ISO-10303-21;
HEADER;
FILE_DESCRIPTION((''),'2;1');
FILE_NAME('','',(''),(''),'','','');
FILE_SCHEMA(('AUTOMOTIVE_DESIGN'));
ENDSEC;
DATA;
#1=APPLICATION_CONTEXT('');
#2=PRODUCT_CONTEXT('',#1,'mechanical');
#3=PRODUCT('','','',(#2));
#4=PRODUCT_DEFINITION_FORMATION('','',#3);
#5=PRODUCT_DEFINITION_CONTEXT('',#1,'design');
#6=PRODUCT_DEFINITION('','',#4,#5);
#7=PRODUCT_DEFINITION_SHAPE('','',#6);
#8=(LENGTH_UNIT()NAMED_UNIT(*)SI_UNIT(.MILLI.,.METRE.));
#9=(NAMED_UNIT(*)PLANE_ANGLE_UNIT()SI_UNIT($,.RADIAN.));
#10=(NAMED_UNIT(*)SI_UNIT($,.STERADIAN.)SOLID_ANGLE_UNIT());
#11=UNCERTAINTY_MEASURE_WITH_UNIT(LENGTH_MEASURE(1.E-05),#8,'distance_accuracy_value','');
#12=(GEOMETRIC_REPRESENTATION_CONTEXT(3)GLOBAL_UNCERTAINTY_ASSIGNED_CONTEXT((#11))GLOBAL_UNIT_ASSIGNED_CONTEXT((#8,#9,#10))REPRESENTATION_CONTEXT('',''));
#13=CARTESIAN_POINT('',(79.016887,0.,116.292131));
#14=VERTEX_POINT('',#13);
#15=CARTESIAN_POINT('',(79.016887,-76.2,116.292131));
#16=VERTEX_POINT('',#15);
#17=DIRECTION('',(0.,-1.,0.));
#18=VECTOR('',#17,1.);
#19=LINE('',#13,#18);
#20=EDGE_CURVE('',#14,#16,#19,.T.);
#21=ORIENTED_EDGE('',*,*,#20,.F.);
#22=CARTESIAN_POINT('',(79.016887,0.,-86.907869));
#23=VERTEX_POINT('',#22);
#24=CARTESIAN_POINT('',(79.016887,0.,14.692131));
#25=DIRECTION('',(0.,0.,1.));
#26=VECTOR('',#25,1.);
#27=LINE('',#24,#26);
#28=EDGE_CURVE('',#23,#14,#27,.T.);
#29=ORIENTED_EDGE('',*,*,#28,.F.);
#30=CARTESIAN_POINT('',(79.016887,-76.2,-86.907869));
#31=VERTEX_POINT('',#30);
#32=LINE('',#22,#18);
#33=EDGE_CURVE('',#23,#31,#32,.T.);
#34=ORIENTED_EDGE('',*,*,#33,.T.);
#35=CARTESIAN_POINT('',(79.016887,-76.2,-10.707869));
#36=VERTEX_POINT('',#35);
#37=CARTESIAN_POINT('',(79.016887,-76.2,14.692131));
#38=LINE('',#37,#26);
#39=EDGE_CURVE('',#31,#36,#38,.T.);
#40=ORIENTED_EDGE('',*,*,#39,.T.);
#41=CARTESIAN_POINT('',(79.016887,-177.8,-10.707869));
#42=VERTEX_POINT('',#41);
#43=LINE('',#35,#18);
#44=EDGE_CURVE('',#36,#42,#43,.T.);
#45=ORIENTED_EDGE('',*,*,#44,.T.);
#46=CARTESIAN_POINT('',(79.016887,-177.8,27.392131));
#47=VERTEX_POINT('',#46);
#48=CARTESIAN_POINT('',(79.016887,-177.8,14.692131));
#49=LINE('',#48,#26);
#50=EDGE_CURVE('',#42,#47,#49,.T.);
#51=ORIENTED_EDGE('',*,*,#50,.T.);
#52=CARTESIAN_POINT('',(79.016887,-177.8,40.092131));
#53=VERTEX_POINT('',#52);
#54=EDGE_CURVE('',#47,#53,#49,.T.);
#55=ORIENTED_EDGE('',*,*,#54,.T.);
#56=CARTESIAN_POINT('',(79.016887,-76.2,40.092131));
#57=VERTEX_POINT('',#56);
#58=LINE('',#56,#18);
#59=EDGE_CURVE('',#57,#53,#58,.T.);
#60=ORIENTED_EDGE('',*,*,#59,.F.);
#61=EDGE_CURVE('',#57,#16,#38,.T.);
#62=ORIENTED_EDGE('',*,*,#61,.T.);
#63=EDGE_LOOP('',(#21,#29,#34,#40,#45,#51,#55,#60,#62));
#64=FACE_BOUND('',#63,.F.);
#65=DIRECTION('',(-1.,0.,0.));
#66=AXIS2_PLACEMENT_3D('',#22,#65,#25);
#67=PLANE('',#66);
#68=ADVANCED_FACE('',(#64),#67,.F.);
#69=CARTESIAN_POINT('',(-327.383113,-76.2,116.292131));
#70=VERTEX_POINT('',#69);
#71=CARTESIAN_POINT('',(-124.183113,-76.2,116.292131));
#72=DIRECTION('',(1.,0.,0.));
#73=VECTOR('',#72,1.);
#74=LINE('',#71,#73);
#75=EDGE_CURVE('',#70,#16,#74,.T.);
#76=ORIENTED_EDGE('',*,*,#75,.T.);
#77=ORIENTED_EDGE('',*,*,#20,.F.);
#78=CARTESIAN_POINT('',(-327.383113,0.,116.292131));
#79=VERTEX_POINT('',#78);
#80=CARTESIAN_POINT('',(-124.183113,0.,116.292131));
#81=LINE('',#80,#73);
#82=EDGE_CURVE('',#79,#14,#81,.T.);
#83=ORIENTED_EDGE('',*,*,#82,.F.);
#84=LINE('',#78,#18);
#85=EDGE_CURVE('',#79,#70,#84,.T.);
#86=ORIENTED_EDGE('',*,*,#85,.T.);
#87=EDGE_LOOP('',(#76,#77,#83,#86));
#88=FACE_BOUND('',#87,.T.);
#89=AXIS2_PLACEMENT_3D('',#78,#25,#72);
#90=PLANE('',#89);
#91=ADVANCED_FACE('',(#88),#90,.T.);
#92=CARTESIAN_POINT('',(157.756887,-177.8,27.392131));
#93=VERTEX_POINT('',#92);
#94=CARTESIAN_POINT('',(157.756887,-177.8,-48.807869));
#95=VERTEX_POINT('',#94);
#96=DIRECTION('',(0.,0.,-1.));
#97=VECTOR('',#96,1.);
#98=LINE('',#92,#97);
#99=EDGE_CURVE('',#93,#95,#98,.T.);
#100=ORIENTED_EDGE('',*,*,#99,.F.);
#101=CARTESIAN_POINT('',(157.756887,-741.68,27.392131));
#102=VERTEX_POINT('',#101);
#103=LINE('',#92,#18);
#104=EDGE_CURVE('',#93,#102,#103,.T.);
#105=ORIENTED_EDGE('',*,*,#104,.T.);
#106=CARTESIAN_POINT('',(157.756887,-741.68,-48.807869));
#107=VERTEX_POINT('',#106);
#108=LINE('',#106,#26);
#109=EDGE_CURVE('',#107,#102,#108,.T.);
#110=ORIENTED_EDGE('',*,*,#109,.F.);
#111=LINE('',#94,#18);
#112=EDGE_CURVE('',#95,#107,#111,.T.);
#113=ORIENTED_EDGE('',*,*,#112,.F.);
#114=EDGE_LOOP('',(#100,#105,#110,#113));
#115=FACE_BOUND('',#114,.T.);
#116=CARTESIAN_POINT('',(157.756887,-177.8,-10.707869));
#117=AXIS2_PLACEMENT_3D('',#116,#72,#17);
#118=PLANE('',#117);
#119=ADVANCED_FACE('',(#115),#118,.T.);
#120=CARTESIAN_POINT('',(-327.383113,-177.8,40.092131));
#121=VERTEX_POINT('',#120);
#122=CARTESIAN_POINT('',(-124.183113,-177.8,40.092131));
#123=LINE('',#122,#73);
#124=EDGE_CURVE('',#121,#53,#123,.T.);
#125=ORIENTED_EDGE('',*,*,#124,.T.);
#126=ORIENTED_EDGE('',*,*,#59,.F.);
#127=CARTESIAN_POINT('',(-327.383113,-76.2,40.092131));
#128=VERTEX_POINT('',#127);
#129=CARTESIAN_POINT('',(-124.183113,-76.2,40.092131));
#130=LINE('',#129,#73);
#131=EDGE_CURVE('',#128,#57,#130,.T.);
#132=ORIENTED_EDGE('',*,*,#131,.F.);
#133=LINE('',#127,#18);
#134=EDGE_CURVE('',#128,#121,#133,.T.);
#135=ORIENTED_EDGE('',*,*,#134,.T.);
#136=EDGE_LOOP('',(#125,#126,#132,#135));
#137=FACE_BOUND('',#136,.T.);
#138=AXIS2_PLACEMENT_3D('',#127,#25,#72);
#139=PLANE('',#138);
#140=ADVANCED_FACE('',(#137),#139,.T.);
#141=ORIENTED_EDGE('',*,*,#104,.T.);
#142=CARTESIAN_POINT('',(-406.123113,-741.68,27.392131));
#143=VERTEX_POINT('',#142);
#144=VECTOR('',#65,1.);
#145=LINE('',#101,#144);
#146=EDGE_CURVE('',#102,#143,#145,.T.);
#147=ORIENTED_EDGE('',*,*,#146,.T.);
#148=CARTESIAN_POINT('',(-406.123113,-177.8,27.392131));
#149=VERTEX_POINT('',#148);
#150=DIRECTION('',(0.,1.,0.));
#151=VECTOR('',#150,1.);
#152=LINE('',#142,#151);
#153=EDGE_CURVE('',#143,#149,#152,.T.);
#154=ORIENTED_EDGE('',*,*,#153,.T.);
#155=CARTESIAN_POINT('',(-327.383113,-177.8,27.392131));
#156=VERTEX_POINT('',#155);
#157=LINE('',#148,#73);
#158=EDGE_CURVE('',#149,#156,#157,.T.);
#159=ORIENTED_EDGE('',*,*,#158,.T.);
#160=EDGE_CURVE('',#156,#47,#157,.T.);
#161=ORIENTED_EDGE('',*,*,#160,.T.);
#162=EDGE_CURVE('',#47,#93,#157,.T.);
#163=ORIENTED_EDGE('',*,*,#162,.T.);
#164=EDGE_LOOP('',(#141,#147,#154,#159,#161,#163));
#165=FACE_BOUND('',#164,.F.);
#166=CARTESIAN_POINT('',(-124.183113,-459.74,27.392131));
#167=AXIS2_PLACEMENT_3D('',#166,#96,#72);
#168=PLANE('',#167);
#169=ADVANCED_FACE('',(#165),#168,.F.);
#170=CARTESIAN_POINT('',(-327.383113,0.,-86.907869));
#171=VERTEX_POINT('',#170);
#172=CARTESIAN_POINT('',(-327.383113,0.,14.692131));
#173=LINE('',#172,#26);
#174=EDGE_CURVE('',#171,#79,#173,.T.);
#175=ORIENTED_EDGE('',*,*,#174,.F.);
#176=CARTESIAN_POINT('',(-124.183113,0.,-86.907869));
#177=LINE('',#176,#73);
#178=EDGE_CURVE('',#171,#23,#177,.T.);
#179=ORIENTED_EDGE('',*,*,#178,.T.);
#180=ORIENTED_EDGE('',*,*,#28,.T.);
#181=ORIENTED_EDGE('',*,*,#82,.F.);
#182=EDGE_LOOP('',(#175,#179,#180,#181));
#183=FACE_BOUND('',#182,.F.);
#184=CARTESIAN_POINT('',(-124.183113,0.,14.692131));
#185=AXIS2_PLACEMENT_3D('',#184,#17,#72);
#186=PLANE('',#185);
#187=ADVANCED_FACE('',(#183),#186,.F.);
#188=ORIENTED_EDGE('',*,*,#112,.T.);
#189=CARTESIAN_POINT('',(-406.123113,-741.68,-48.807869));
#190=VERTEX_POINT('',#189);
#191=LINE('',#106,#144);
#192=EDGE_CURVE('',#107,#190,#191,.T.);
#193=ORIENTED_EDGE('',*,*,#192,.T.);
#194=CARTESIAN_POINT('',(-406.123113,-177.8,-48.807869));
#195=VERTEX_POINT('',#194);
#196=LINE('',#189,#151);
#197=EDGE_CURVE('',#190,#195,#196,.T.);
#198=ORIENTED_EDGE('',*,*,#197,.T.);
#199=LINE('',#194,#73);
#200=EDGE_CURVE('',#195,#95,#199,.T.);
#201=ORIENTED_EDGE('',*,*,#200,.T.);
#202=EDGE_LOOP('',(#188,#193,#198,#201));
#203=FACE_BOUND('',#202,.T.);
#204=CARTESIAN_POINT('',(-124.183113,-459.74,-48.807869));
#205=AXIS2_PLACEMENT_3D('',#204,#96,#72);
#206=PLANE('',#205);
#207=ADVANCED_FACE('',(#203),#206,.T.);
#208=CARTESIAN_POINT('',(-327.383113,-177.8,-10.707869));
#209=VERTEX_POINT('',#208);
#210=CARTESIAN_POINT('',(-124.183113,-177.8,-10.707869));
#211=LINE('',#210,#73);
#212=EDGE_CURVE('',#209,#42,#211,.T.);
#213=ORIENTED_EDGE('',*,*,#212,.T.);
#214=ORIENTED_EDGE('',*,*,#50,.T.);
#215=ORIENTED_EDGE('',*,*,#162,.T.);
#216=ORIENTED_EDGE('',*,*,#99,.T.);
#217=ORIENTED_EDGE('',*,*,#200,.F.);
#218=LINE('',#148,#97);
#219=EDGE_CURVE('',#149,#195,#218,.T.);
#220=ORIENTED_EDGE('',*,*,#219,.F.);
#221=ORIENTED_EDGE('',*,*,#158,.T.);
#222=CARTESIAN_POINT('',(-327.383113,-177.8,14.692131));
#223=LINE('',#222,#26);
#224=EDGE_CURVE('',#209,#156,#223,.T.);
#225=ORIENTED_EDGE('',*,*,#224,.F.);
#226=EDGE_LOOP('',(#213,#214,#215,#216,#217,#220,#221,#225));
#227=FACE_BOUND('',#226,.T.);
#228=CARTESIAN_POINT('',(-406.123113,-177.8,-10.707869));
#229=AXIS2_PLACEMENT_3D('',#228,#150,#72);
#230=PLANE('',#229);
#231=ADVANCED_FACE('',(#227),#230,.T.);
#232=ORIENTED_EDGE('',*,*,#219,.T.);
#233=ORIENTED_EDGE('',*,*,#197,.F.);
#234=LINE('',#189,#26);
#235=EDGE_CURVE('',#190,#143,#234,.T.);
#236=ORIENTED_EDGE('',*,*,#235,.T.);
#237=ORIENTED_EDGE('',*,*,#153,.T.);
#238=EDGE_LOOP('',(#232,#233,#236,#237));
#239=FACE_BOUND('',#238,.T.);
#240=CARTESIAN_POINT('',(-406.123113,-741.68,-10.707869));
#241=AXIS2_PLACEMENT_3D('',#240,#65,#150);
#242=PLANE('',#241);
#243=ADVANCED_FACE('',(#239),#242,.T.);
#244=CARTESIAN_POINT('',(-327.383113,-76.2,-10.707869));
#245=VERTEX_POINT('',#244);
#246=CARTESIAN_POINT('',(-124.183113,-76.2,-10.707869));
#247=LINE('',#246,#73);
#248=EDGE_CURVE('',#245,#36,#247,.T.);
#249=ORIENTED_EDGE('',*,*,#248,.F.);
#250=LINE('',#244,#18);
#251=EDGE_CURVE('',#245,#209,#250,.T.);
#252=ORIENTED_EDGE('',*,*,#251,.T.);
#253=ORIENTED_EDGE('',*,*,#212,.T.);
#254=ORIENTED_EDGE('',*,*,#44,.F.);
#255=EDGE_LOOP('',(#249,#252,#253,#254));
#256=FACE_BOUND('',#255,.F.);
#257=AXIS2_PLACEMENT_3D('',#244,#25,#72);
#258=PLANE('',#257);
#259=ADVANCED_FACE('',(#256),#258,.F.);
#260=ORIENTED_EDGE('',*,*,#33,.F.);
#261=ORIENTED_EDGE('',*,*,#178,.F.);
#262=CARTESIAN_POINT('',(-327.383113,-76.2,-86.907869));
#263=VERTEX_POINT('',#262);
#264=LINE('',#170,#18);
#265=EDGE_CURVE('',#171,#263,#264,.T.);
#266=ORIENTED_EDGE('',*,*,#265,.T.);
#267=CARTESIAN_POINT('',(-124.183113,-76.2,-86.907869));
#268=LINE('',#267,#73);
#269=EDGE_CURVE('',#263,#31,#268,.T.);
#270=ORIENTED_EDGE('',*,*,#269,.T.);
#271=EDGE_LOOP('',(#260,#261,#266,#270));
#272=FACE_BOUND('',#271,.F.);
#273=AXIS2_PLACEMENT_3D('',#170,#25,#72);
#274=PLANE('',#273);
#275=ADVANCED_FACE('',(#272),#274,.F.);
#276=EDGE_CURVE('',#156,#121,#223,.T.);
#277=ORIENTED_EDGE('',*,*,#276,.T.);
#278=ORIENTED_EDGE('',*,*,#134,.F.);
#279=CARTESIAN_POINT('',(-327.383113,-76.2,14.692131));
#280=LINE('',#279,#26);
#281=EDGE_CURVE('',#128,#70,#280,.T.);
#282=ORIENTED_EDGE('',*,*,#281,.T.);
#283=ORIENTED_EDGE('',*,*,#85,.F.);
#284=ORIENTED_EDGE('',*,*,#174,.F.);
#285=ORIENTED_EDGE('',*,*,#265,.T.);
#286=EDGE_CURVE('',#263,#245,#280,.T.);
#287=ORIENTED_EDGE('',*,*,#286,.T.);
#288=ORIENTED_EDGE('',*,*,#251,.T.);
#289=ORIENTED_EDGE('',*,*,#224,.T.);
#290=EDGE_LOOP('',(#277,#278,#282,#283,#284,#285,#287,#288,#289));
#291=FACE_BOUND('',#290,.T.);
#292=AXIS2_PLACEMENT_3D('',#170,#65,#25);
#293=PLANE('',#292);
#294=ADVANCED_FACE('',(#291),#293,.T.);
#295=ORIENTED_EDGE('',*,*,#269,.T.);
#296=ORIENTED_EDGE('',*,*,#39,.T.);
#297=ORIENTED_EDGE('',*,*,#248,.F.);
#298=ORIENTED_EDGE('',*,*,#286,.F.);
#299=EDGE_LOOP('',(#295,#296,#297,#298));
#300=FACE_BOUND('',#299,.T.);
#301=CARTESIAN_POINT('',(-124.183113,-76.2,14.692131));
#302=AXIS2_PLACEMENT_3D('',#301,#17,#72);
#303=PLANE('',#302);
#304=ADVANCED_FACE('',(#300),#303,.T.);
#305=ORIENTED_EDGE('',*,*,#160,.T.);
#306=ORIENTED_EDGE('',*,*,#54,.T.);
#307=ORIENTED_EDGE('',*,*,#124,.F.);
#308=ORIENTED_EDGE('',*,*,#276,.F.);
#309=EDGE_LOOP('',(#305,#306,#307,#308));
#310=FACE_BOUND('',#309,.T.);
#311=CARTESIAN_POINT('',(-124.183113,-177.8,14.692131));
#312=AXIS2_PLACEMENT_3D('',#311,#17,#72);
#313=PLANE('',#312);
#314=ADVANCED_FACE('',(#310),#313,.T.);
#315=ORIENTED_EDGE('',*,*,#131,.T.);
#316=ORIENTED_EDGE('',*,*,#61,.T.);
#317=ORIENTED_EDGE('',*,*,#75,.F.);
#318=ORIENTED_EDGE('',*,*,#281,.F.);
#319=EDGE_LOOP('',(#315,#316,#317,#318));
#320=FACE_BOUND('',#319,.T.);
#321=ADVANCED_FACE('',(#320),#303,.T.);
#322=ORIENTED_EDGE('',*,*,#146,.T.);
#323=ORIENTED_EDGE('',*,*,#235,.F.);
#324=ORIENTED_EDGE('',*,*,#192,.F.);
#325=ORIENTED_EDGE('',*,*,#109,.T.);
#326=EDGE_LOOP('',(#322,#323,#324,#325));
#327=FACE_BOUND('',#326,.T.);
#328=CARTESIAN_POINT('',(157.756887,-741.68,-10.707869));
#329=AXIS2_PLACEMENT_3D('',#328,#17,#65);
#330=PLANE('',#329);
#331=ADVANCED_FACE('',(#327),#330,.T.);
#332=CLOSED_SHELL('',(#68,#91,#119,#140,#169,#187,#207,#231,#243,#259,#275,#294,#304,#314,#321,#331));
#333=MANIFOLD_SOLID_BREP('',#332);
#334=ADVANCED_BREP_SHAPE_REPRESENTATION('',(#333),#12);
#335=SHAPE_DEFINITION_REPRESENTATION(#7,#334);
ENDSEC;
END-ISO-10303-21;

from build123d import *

# Parameters (mm, degrees)
F0_W     = 406.4
F0_H     = 203.2
F1_DEPTH = 76.2
F2_W     = 406.4
F2_H     = 50.8
F3_DEPTH = 101.6
F5_DEPTH = 38.1


with BuildPart() as f1:
    # F0 (on Front) → F1 (new body)
    with BuildSketch(Plane.XZ):
        with Locations((-124.183113, 14.692131)):
            Rectangle(F0_W, F0_H)
    extrude(amount=F1_DEPTH)

    # F2 (on face) → F3 (join)
    with BuildSketch(Plane.XZ.offset(76.2)):
        with Locations((-124.183113, 14.692131)):
            Rectangle(F2_W, F2_H)
    extrude(amount=F3_DEPTH)

    # F4 (on face) → F5 (join, symmetric)
    with BuildSketch(Plane(origin=(0, 0, -10.707869), x_dir=(1, 0, 0), z_dir=(0, 0, -1))):
        Polygon((-406.123113, 741.68), (-406.123113, 177.8), (-327.383113, 177.8), (79.016887, 177.8), (157.756887, 177.8), (157.756887, 741.68), align=None)
    extrude(amount=F5_DEPTH, both=True)


solid = f1.part
